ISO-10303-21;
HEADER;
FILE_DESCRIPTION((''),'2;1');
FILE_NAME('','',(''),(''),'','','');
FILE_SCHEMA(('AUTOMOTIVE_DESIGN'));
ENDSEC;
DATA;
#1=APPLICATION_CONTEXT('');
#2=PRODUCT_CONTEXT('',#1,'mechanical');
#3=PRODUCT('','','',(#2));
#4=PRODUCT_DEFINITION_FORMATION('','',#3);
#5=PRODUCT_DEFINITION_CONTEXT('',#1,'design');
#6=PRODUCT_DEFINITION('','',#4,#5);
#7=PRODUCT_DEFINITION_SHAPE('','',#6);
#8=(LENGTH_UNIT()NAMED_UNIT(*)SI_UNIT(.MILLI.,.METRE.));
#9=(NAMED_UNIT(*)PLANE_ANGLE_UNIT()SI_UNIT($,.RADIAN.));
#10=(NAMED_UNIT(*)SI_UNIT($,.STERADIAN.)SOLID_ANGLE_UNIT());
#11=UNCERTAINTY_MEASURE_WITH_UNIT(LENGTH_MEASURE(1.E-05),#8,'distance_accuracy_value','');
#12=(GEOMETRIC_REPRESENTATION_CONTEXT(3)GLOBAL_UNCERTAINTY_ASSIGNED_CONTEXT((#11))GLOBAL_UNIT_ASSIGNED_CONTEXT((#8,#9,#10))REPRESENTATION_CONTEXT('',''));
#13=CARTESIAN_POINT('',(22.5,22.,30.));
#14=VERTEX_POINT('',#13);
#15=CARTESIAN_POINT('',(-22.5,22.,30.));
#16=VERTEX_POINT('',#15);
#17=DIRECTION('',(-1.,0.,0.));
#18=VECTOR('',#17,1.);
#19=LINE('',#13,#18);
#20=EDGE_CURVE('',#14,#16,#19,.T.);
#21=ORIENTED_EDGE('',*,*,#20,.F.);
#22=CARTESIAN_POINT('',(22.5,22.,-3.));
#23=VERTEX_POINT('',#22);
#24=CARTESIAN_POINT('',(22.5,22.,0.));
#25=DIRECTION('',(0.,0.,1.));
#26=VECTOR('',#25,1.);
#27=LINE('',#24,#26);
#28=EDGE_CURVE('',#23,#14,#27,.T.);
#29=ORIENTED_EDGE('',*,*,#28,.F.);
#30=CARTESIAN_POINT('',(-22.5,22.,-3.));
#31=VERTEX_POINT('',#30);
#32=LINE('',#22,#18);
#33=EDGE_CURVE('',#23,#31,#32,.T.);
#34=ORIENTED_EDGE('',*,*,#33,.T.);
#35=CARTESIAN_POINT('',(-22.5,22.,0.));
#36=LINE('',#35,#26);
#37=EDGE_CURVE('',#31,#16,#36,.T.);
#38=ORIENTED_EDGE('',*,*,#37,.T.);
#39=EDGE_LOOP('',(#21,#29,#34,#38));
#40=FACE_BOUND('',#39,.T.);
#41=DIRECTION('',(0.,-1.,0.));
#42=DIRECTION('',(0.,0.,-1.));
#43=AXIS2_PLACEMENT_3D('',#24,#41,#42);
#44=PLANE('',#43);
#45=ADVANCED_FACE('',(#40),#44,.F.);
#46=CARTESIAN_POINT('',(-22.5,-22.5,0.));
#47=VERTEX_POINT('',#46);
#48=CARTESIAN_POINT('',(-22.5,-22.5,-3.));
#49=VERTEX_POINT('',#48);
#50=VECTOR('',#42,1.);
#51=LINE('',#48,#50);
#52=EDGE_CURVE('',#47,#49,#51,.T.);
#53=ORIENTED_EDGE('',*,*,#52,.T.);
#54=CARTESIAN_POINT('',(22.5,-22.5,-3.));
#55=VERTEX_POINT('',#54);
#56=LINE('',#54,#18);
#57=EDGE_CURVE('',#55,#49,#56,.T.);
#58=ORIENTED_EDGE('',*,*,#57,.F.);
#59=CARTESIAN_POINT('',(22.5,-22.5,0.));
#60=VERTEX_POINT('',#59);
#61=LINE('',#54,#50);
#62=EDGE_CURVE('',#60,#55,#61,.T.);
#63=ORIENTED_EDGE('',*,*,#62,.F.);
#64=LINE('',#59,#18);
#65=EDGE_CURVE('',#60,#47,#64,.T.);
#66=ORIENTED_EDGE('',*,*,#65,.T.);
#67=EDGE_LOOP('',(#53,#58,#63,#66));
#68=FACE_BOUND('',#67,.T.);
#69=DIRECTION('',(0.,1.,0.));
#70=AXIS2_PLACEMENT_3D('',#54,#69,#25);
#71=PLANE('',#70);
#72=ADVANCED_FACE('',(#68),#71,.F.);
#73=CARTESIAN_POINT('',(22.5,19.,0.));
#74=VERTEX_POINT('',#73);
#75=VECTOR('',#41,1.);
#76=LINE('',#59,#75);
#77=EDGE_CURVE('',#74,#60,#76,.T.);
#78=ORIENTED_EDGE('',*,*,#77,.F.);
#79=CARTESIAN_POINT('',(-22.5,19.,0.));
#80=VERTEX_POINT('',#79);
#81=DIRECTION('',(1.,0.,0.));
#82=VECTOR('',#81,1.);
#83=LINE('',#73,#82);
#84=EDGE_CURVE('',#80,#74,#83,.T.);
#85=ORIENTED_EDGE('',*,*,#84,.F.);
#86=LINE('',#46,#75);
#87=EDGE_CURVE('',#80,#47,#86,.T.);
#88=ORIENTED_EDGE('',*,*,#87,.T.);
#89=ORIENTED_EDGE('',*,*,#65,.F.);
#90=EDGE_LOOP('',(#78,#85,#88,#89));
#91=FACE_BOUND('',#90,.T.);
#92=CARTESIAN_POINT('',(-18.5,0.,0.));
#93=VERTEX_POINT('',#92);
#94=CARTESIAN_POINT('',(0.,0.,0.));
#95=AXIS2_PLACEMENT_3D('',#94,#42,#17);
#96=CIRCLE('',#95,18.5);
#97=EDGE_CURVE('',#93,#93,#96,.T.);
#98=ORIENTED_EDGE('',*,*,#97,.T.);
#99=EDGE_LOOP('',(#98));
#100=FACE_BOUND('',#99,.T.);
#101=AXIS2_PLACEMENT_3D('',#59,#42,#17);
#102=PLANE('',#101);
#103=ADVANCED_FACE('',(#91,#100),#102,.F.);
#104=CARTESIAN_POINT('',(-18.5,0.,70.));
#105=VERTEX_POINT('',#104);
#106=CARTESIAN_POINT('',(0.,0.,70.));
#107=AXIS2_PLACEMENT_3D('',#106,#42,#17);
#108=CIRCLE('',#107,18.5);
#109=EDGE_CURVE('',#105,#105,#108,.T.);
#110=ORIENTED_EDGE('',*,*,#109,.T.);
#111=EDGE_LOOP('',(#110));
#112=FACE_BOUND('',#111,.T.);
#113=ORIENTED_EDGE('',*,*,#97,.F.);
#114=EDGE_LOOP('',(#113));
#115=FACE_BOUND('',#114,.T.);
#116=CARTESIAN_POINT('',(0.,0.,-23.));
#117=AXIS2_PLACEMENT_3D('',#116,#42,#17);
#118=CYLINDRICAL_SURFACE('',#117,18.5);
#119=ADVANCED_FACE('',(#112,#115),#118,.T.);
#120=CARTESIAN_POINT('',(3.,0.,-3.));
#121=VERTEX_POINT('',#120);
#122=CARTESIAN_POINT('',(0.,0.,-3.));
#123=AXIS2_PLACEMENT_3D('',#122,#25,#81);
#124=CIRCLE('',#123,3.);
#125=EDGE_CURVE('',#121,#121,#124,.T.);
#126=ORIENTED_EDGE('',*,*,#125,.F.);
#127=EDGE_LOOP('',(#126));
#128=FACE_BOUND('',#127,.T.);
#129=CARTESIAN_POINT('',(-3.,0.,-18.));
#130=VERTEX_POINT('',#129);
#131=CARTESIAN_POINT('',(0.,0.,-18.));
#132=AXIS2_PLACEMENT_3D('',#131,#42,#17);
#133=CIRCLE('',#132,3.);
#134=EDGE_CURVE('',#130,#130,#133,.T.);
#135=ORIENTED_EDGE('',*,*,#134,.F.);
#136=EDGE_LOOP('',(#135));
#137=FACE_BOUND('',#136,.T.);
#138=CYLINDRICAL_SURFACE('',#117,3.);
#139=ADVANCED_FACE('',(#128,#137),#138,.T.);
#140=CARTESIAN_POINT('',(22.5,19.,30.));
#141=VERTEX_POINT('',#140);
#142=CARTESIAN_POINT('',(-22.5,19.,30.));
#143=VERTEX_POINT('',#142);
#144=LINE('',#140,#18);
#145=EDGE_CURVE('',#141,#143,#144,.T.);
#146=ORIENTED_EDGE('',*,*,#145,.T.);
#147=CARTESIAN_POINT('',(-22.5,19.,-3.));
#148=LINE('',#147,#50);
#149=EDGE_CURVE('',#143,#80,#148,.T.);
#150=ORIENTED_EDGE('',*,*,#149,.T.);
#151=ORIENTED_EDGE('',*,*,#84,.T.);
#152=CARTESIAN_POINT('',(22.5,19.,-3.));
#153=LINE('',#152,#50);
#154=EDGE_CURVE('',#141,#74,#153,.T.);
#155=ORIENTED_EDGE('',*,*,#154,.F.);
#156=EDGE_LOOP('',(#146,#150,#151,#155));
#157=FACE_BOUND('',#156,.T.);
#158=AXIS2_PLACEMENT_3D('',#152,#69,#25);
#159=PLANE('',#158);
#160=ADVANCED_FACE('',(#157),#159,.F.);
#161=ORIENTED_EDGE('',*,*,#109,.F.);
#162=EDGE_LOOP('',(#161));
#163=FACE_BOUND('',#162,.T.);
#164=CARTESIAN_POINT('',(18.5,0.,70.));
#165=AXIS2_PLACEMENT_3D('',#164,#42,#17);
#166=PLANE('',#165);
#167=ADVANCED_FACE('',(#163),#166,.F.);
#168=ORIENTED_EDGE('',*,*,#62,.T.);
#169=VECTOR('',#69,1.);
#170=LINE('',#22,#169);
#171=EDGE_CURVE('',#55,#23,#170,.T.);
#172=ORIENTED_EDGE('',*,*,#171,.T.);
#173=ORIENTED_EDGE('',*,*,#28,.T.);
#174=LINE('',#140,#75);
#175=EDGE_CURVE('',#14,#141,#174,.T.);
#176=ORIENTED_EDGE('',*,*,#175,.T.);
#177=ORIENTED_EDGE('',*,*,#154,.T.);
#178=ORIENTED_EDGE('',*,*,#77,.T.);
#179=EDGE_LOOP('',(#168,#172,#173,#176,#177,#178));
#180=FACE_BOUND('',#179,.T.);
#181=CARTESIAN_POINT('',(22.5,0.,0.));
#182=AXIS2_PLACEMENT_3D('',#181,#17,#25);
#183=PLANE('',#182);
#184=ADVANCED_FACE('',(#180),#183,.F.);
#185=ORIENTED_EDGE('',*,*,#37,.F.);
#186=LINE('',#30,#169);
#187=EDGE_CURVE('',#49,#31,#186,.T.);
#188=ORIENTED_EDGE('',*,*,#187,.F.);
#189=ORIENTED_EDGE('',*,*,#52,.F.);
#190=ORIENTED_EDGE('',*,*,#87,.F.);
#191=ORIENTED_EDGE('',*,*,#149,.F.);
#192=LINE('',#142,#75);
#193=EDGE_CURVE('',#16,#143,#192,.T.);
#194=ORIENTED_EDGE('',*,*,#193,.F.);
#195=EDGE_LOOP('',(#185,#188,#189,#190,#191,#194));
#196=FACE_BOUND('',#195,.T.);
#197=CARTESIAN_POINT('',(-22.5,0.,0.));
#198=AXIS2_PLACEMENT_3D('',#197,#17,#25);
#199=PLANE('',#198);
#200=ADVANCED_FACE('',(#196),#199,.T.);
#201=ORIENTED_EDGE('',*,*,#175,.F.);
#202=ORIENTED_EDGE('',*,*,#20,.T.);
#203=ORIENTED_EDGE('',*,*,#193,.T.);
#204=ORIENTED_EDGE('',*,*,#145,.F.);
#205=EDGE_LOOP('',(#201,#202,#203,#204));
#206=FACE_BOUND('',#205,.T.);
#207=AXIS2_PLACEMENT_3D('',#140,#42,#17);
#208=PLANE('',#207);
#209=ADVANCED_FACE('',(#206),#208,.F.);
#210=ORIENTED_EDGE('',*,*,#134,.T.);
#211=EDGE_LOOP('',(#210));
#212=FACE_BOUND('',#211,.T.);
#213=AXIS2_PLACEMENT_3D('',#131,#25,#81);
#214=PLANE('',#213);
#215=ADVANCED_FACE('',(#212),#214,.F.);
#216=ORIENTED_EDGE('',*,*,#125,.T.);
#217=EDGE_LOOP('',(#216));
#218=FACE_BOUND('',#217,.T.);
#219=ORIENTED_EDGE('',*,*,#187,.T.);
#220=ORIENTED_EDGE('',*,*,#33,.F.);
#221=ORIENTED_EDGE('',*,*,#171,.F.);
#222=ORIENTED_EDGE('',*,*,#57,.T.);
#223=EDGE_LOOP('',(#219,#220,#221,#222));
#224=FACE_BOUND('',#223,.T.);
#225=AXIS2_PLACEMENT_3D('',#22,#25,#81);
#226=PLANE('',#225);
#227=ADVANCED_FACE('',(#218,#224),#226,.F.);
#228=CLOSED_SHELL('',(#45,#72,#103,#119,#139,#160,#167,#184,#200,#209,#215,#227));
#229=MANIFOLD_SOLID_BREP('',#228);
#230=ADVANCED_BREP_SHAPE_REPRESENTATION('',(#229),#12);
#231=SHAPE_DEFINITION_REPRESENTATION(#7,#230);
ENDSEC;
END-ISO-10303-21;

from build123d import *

# Parameters (mm, degrees)
SK_BRACKET_FACE_W  = 3
SK_BRACKET_FACE_H  = 44.5
BRACKET_FACE_DEPTH = 22.5
SK_BRACKET_TOP_W   = 33
SK_BRACKET_TOP_H   = 3
BRACKET_TOP_DEPTH  = 22.5


with BuildPart() as part:
    # SK_Gearmotor → Gearmotor (revolve)
    with BuildSketch(Plane(origin=(0, 0, 0), x_dir=(1, 0, 0), z_dir=(0, 1, 0)), mode=Mode.PRIVATE) as gearmotor_sk:
        Polygon((0, 18), (3, 18), (3, 0), (18.5, 0), (18.5, -70), (0, -70), align=None)
    revolve(gearmotor_sk.sketch.rotate(Axis((0, 0, -23), (0, 0, 1)), 180), axis=Axis((0, 0, -23), (0, 0, 1)))

    # SK_Bracket_Face → Bracket_Face (add, symmetric)
    with BuildSketch(Plane(origin=(0, 0, 0), x_dir=(0, 0, -1), z_dir=(1, 0, 0))):
        with Locations((1.5, -0.25)):
            Rectangle(SK_BRACKET_FACE_W, SK_BRACKET_FACE_H)
    extrude(amount=BRACKET_FACE_DEPTH, both=True)

    # SK_Bracket_Top → Bracket_Top (add, symmetric)
    with BuildSketch(Plane(origin=(0, 0, 0), x_dir=(0, 0, -1), z_dir=(1, 0, 0))):
        with Locations((-13.5, 20.5)):
            Rectangle(SK_BRACKET_TOP_W, SK_BRACKET_TOP_H)
    extrude(amount=BRACKET_TOP_DEPTH, both=True)


solid = part.part
